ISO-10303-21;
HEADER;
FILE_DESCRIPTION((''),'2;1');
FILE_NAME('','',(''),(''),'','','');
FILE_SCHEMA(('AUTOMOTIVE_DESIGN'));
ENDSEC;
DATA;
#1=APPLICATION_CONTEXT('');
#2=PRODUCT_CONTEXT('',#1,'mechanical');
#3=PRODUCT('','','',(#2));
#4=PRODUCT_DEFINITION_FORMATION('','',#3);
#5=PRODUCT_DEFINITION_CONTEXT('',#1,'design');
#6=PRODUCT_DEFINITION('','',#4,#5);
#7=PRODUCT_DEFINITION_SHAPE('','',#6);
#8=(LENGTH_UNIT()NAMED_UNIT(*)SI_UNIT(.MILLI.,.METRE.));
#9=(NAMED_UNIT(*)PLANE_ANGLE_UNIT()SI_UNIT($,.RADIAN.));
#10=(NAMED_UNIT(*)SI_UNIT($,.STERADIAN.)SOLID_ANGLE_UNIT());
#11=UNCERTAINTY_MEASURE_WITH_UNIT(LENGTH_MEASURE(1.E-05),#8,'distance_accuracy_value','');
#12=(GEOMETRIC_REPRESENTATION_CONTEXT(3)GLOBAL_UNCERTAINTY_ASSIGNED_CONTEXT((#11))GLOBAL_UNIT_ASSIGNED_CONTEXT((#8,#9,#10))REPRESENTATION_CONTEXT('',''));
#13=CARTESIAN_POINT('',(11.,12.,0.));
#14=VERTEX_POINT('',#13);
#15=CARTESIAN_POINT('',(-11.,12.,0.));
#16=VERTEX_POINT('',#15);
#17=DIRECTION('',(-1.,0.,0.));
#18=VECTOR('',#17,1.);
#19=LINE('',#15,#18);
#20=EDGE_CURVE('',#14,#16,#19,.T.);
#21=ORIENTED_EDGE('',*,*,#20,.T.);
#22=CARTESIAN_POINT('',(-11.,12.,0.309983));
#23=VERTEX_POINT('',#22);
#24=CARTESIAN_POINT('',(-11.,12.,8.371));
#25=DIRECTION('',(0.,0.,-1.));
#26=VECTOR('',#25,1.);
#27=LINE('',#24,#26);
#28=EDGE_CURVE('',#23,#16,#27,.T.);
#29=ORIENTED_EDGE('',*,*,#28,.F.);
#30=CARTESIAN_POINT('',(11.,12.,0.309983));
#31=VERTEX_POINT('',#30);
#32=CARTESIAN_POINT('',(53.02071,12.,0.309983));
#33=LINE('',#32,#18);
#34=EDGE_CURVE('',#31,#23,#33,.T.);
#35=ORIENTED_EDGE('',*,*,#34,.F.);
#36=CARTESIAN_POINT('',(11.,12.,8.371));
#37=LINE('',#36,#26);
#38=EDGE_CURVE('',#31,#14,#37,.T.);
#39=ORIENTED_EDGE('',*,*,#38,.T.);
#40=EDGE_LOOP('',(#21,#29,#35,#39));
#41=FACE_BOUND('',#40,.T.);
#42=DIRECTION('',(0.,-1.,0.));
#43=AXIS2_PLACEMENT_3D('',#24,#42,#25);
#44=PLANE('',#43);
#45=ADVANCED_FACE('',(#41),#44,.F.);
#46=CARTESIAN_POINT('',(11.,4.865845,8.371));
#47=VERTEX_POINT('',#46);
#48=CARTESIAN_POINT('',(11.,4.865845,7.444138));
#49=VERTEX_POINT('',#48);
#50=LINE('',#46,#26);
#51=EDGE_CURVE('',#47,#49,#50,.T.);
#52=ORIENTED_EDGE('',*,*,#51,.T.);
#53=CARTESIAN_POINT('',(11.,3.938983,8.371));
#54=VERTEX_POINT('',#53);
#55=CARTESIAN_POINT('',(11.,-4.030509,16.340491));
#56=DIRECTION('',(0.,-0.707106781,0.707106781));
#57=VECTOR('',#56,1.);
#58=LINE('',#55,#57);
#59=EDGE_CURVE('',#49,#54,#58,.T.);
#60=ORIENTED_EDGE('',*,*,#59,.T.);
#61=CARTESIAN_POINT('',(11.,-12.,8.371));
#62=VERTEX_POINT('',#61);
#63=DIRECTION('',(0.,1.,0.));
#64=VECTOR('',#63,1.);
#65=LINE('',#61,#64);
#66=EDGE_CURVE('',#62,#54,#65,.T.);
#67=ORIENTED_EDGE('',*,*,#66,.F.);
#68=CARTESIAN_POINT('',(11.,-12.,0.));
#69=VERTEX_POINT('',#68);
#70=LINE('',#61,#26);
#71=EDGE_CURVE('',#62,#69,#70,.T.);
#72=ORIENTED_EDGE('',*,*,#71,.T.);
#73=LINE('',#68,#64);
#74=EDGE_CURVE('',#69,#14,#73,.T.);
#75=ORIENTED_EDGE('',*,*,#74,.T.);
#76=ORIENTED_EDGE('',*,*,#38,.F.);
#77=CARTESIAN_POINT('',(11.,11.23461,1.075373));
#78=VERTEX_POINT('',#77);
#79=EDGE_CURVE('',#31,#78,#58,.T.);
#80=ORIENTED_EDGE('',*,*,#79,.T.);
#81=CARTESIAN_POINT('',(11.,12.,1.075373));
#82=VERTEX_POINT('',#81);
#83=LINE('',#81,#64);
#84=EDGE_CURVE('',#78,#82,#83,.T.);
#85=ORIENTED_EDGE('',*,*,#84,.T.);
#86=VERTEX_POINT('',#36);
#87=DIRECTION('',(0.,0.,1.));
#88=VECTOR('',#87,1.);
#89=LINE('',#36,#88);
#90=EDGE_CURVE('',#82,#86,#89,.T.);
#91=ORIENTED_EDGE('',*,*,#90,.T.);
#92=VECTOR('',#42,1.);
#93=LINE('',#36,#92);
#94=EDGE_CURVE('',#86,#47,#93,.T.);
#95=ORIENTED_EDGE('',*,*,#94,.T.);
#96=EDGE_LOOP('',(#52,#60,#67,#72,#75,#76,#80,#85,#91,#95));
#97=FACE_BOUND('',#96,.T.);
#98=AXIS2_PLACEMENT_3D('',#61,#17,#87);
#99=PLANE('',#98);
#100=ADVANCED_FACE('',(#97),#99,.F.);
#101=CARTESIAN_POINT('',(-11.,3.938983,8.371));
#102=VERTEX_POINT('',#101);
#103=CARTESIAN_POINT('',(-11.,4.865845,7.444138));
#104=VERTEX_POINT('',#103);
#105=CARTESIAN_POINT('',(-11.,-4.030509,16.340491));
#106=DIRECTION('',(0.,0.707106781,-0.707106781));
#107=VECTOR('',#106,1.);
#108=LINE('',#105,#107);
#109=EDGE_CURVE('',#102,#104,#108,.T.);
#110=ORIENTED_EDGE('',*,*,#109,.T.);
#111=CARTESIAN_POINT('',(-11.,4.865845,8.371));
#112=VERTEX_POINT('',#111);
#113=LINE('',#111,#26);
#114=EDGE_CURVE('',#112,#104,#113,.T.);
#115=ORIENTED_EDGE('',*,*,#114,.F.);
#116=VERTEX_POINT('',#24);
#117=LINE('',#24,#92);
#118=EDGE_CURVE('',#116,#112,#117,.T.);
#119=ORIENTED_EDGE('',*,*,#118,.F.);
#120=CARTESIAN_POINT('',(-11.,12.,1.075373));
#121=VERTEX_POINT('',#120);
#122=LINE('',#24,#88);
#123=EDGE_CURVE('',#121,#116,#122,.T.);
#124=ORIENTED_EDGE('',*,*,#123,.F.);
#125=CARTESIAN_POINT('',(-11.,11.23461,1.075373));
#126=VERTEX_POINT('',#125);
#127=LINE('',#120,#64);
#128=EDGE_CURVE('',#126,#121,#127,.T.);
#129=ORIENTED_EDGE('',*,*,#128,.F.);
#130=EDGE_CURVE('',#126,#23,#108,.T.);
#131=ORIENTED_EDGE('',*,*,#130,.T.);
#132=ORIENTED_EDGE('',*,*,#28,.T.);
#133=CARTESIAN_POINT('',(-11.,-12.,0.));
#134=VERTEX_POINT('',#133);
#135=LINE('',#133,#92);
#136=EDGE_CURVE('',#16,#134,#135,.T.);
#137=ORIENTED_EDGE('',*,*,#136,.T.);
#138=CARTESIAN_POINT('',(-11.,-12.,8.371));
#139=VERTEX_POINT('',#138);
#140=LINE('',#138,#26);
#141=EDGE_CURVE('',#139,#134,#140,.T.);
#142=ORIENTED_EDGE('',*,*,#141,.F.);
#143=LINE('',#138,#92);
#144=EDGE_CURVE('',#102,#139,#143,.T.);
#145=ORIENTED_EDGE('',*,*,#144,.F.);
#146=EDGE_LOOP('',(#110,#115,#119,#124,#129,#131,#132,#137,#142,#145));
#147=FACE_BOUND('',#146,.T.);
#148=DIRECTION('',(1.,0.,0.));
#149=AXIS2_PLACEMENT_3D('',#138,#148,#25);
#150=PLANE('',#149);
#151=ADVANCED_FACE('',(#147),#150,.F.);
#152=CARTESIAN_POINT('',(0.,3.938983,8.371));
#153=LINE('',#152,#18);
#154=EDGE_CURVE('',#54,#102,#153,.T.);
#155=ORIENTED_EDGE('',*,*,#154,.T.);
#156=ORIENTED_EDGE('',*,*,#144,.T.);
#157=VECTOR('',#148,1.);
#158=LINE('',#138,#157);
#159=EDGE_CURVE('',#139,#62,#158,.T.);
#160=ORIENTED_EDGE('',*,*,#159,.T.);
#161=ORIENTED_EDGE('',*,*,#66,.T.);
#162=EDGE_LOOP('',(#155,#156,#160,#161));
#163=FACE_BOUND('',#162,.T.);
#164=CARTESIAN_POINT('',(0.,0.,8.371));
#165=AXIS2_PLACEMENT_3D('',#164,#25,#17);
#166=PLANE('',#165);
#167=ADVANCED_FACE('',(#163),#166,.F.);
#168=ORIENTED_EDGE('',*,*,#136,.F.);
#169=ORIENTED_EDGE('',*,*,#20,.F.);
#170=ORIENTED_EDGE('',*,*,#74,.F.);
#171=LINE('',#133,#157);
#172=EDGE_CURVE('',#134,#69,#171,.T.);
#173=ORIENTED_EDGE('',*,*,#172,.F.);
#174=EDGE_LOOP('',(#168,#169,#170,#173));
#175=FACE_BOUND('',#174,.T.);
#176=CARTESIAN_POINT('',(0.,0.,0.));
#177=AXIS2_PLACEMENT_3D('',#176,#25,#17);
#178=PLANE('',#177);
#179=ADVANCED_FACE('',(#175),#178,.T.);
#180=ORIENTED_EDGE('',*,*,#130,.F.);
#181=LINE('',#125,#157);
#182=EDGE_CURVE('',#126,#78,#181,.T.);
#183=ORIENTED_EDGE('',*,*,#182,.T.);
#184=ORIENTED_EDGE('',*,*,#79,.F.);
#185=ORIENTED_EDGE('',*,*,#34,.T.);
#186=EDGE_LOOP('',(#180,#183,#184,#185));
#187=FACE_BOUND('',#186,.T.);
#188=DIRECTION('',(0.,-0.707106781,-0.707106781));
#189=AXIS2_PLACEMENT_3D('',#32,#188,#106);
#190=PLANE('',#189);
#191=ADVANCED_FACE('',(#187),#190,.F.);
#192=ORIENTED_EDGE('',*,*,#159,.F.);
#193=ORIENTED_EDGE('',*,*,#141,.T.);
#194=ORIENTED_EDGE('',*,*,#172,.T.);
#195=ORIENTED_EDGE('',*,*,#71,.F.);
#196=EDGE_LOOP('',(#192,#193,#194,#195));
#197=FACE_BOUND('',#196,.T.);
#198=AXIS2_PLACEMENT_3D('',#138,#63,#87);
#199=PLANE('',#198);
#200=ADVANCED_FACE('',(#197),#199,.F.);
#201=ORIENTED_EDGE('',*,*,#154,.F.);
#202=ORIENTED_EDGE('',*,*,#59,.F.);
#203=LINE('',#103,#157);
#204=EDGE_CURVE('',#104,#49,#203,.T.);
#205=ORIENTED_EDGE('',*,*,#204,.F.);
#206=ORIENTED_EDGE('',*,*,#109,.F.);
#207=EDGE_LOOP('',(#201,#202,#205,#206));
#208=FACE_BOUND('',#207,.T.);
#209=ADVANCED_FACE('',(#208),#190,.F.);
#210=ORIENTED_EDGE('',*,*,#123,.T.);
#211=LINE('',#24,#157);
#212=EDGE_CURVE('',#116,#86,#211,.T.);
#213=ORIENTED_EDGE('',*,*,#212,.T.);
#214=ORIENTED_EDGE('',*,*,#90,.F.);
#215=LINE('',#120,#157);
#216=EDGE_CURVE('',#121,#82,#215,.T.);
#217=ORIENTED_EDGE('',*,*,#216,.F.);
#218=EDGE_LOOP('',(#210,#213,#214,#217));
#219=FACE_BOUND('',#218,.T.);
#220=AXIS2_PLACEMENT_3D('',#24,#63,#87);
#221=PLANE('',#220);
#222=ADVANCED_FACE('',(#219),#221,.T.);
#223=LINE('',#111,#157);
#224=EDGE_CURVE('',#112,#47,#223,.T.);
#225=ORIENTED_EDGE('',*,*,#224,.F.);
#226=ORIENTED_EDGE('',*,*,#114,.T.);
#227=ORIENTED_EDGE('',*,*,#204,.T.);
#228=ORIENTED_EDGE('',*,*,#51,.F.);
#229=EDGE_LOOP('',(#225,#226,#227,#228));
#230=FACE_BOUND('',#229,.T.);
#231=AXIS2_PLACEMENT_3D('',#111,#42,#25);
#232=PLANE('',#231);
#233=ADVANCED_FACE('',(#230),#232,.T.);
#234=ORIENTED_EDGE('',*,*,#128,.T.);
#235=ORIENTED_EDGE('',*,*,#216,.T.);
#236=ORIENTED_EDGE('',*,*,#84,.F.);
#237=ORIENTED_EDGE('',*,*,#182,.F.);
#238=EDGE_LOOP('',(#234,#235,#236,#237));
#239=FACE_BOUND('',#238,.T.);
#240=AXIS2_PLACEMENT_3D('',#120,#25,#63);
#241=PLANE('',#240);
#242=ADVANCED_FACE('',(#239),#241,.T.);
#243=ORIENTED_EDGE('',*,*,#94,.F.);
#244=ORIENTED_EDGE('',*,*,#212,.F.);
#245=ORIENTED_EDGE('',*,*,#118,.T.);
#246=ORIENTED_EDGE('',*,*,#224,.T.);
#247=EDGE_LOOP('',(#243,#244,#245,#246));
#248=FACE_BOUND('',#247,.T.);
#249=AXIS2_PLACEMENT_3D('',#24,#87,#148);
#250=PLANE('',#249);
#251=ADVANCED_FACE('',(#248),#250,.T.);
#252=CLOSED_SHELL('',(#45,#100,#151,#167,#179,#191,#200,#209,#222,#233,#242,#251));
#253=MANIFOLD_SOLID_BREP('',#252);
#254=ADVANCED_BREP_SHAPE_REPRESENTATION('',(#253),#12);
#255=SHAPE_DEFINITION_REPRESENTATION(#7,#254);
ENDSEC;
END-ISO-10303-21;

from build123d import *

# Parameters (mm, degrees)
SKETCH1_W               = 22
SKETCH1_H               = 24
BOSS_EXTRUDE1_DEPTH     = 8.371
CUT_EXTRUDE2_DEPTH      = 1
CUT_EXTRUDE2_DEPTH_BACK = 23
BOSS_EXTRUDE3_DEPTH     = 22


with BuildPart() as part:
    # Sketch1 → Boss-Extrude1 (new body)
    with BuildSketch(Plane.XY):
        Rectangle(SKETCH1_W, SKETCH1_H)
    extrude(amount=BOSS_EXTRUDE1_DEPTH)

    # Sketch5 → Cut-Extrude2 (cut, two sides)
    with BuildSketch(Plane(origin=(11, 0, 0), x_dir=(0, 0, -1), z_dir=(1, 0, 0))) as cut_extrude2_sk:
        Polygon((42.565554112, 54.875536807), (-0.309982694, 12), (-8.371, 3.938982694), (-51.246536807, -38.936554112), (-136.99761042, 46.814519501), (-43.185519501, 140.62661042), align=None)
    extrude(amount=CUT_EXTRUDE2_DEPTH, mode=Mode.SUBTRACT)
    extrude(cut_extrude2_sk.sketch, amount=-CUT_EXTRUDE2_DEPTH_BACK, mode=Mode.SUBTRACT)

    # Sketch6 → Boss-Extrude3 (add, through all)
    with BuildSketch(Plane(origin=(11, 0, 0), x_dir=(0, 0, -1), z_dir=(1, 0, 0))):
        Polygon((-8.371, 12), (-1.075372561, 12), (-1.075372561, 11.234610134), (-7.444138152, 4.865844542), (-8.371, 4.865844542), align=None)
    extrude(amount=-BOSS_EXTRUDE3_DEPTH)


solid = part.part
